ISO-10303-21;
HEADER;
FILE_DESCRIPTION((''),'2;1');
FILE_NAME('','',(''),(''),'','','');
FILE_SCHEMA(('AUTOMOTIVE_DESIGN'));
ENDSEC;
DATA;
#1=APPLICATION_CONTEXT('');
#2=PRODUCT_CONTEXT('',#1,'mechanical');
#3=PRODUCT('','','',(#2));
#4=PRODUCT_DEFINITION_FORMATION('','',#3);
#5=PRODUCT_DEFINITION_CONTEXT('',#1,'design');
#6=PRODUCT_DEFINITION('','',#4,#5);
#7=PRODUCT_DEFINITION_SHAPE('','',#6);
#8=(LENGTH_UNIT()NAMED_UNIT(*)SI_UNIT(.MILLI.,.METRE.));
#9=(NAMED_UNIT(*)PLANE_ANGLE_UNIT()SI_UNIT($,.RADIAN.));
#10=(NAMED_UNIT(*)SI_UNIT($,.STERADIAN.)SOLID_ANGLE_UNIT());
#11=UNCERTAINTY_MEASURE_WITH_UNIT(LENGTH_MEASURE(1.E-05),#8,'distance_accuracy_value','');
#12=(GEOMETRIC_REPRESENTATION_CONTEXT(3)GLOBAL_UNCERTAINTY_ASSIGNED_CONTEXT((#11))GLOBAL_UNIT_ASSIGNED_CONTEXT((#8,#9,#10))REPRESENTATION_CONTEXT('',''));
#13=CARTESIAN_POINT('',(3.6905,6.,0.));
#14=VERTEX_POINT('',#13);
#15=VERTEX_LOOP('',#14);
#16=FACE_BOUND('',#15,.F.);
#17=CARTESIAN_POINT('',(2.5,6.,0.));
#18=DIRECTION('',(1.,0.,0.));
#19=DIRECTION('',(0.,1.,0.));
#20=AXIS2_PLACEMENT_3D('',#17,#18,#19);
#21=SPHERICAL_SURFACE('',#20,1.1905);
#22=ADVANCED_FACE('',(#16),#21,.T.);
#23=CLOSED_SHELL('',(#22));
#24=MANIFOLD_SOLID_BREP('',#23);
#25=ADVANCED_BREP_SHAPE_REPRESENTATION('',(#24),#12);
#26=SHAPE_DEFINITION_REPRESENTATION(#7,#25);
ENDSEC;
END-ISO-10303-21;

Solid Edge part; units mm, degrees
sketch "Sketch1" plane through (0, 0, 0) normal (0, 0, 1) x (1, 0, 0)
  arc A0 (1.3095, 6) -> (3.6905, 6) centre (2.5, 6) cw
  line L0 (3.6905, 6) -> (1.3095, 6)
revolve "RevolvedProtrusion1" add sketch "Sketch1" angle 360 about axis through (3.6905, 6, 0) along (-1, 0, 0)
properties part number "SKF_628/8-2RS1_ball1"
